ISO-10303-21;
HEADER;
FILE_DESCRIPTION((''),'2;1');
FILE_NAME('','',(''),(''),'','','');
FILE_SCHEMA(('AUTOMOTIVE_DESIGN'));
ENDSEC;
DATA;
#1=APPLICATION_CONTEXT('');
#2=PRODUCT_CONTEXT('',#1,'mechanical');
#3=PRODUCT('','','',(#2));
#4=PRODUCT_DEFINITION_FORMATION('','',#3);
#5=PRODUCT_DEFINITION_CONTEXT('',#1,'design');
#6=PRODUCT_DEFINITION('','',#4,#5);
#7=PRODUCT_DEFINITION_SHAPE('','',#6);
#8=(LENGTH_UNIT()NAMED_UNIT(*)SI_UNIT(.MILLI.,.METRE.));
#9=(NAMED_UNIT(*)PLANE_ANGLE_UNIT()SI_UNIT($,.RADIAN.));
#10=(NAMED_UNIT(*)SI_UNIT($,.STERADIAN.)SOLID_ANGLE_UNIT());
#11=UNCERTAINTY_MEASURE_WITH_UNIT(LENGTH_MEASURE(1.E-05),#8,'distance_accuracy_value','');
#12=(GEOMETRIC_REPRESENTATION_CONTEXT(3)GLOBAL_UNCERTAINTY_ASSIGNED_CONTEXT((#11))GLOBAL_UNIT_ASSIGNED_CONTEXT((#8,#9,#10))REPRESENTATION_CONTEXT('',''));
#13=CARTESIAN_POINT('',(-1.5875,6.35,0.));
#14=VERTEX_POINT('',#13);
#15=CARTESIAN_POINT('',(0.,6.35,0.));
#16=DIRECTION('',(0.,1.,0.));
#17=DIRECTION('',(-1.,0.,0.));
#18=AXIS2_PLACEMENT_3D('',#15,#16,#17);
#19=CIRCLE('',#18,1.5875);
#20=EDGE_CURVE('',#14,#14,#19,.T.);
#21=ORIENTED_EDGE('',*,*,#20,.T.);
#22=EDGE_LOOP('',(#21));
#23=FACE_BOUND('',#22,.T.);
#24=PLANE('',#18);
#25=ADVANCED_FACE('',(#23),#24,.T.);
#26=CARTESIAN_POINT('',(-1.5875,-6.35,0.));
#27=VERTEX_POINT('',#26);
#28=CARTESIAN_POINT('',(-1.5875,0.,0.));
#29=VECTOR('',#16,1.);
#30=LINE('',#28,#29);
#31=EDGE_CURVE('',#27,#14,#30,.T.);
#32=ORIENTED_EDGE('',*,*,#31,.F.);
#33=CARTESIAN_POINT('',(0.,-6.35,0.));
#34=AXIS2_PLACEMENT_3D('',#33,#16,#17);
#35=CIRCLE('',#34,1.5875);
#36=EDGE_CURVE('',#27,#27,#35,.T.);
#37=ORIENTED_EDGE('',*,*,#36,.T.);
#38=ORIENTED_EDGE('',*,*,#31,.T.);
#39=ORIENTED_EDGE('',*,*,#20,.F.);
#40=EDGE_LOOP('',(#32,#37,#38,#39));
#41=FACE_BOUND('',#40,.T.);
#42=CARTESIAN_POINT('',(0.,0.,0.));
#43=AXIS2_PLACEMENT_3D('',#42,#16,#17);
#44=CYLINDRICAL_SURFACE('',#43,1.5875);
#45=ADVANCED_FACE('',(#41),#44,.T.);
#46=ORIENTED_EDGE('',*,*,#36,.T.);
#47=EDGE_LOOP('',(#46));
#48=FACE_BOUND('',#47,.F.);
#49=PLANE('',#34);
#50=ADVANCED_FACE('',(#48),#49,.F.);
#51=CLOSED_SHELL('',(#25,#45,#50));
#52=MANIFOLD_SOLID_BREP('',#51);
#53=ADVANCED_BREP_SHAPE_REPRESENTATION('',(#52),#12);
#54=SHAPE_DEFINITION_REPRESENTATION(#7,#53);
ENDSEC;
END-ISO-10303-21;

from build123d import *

# Parameters (mm, degrees)
SKETCH1_W = 1.5875
SKETCH1_H = 12.7


with BuildPart() as part:
    # Sketch1 → Revolve1 (revolve)
    with BuildSketch(Plane.XY):
        with Locations((-0.79375, 0)):
            Rectangle(SKETCH1_W, SKETCH1_H)
    revolve(axis=Axis((0, 6.35, 0), (0, 1, 0)))


solid = part.part
